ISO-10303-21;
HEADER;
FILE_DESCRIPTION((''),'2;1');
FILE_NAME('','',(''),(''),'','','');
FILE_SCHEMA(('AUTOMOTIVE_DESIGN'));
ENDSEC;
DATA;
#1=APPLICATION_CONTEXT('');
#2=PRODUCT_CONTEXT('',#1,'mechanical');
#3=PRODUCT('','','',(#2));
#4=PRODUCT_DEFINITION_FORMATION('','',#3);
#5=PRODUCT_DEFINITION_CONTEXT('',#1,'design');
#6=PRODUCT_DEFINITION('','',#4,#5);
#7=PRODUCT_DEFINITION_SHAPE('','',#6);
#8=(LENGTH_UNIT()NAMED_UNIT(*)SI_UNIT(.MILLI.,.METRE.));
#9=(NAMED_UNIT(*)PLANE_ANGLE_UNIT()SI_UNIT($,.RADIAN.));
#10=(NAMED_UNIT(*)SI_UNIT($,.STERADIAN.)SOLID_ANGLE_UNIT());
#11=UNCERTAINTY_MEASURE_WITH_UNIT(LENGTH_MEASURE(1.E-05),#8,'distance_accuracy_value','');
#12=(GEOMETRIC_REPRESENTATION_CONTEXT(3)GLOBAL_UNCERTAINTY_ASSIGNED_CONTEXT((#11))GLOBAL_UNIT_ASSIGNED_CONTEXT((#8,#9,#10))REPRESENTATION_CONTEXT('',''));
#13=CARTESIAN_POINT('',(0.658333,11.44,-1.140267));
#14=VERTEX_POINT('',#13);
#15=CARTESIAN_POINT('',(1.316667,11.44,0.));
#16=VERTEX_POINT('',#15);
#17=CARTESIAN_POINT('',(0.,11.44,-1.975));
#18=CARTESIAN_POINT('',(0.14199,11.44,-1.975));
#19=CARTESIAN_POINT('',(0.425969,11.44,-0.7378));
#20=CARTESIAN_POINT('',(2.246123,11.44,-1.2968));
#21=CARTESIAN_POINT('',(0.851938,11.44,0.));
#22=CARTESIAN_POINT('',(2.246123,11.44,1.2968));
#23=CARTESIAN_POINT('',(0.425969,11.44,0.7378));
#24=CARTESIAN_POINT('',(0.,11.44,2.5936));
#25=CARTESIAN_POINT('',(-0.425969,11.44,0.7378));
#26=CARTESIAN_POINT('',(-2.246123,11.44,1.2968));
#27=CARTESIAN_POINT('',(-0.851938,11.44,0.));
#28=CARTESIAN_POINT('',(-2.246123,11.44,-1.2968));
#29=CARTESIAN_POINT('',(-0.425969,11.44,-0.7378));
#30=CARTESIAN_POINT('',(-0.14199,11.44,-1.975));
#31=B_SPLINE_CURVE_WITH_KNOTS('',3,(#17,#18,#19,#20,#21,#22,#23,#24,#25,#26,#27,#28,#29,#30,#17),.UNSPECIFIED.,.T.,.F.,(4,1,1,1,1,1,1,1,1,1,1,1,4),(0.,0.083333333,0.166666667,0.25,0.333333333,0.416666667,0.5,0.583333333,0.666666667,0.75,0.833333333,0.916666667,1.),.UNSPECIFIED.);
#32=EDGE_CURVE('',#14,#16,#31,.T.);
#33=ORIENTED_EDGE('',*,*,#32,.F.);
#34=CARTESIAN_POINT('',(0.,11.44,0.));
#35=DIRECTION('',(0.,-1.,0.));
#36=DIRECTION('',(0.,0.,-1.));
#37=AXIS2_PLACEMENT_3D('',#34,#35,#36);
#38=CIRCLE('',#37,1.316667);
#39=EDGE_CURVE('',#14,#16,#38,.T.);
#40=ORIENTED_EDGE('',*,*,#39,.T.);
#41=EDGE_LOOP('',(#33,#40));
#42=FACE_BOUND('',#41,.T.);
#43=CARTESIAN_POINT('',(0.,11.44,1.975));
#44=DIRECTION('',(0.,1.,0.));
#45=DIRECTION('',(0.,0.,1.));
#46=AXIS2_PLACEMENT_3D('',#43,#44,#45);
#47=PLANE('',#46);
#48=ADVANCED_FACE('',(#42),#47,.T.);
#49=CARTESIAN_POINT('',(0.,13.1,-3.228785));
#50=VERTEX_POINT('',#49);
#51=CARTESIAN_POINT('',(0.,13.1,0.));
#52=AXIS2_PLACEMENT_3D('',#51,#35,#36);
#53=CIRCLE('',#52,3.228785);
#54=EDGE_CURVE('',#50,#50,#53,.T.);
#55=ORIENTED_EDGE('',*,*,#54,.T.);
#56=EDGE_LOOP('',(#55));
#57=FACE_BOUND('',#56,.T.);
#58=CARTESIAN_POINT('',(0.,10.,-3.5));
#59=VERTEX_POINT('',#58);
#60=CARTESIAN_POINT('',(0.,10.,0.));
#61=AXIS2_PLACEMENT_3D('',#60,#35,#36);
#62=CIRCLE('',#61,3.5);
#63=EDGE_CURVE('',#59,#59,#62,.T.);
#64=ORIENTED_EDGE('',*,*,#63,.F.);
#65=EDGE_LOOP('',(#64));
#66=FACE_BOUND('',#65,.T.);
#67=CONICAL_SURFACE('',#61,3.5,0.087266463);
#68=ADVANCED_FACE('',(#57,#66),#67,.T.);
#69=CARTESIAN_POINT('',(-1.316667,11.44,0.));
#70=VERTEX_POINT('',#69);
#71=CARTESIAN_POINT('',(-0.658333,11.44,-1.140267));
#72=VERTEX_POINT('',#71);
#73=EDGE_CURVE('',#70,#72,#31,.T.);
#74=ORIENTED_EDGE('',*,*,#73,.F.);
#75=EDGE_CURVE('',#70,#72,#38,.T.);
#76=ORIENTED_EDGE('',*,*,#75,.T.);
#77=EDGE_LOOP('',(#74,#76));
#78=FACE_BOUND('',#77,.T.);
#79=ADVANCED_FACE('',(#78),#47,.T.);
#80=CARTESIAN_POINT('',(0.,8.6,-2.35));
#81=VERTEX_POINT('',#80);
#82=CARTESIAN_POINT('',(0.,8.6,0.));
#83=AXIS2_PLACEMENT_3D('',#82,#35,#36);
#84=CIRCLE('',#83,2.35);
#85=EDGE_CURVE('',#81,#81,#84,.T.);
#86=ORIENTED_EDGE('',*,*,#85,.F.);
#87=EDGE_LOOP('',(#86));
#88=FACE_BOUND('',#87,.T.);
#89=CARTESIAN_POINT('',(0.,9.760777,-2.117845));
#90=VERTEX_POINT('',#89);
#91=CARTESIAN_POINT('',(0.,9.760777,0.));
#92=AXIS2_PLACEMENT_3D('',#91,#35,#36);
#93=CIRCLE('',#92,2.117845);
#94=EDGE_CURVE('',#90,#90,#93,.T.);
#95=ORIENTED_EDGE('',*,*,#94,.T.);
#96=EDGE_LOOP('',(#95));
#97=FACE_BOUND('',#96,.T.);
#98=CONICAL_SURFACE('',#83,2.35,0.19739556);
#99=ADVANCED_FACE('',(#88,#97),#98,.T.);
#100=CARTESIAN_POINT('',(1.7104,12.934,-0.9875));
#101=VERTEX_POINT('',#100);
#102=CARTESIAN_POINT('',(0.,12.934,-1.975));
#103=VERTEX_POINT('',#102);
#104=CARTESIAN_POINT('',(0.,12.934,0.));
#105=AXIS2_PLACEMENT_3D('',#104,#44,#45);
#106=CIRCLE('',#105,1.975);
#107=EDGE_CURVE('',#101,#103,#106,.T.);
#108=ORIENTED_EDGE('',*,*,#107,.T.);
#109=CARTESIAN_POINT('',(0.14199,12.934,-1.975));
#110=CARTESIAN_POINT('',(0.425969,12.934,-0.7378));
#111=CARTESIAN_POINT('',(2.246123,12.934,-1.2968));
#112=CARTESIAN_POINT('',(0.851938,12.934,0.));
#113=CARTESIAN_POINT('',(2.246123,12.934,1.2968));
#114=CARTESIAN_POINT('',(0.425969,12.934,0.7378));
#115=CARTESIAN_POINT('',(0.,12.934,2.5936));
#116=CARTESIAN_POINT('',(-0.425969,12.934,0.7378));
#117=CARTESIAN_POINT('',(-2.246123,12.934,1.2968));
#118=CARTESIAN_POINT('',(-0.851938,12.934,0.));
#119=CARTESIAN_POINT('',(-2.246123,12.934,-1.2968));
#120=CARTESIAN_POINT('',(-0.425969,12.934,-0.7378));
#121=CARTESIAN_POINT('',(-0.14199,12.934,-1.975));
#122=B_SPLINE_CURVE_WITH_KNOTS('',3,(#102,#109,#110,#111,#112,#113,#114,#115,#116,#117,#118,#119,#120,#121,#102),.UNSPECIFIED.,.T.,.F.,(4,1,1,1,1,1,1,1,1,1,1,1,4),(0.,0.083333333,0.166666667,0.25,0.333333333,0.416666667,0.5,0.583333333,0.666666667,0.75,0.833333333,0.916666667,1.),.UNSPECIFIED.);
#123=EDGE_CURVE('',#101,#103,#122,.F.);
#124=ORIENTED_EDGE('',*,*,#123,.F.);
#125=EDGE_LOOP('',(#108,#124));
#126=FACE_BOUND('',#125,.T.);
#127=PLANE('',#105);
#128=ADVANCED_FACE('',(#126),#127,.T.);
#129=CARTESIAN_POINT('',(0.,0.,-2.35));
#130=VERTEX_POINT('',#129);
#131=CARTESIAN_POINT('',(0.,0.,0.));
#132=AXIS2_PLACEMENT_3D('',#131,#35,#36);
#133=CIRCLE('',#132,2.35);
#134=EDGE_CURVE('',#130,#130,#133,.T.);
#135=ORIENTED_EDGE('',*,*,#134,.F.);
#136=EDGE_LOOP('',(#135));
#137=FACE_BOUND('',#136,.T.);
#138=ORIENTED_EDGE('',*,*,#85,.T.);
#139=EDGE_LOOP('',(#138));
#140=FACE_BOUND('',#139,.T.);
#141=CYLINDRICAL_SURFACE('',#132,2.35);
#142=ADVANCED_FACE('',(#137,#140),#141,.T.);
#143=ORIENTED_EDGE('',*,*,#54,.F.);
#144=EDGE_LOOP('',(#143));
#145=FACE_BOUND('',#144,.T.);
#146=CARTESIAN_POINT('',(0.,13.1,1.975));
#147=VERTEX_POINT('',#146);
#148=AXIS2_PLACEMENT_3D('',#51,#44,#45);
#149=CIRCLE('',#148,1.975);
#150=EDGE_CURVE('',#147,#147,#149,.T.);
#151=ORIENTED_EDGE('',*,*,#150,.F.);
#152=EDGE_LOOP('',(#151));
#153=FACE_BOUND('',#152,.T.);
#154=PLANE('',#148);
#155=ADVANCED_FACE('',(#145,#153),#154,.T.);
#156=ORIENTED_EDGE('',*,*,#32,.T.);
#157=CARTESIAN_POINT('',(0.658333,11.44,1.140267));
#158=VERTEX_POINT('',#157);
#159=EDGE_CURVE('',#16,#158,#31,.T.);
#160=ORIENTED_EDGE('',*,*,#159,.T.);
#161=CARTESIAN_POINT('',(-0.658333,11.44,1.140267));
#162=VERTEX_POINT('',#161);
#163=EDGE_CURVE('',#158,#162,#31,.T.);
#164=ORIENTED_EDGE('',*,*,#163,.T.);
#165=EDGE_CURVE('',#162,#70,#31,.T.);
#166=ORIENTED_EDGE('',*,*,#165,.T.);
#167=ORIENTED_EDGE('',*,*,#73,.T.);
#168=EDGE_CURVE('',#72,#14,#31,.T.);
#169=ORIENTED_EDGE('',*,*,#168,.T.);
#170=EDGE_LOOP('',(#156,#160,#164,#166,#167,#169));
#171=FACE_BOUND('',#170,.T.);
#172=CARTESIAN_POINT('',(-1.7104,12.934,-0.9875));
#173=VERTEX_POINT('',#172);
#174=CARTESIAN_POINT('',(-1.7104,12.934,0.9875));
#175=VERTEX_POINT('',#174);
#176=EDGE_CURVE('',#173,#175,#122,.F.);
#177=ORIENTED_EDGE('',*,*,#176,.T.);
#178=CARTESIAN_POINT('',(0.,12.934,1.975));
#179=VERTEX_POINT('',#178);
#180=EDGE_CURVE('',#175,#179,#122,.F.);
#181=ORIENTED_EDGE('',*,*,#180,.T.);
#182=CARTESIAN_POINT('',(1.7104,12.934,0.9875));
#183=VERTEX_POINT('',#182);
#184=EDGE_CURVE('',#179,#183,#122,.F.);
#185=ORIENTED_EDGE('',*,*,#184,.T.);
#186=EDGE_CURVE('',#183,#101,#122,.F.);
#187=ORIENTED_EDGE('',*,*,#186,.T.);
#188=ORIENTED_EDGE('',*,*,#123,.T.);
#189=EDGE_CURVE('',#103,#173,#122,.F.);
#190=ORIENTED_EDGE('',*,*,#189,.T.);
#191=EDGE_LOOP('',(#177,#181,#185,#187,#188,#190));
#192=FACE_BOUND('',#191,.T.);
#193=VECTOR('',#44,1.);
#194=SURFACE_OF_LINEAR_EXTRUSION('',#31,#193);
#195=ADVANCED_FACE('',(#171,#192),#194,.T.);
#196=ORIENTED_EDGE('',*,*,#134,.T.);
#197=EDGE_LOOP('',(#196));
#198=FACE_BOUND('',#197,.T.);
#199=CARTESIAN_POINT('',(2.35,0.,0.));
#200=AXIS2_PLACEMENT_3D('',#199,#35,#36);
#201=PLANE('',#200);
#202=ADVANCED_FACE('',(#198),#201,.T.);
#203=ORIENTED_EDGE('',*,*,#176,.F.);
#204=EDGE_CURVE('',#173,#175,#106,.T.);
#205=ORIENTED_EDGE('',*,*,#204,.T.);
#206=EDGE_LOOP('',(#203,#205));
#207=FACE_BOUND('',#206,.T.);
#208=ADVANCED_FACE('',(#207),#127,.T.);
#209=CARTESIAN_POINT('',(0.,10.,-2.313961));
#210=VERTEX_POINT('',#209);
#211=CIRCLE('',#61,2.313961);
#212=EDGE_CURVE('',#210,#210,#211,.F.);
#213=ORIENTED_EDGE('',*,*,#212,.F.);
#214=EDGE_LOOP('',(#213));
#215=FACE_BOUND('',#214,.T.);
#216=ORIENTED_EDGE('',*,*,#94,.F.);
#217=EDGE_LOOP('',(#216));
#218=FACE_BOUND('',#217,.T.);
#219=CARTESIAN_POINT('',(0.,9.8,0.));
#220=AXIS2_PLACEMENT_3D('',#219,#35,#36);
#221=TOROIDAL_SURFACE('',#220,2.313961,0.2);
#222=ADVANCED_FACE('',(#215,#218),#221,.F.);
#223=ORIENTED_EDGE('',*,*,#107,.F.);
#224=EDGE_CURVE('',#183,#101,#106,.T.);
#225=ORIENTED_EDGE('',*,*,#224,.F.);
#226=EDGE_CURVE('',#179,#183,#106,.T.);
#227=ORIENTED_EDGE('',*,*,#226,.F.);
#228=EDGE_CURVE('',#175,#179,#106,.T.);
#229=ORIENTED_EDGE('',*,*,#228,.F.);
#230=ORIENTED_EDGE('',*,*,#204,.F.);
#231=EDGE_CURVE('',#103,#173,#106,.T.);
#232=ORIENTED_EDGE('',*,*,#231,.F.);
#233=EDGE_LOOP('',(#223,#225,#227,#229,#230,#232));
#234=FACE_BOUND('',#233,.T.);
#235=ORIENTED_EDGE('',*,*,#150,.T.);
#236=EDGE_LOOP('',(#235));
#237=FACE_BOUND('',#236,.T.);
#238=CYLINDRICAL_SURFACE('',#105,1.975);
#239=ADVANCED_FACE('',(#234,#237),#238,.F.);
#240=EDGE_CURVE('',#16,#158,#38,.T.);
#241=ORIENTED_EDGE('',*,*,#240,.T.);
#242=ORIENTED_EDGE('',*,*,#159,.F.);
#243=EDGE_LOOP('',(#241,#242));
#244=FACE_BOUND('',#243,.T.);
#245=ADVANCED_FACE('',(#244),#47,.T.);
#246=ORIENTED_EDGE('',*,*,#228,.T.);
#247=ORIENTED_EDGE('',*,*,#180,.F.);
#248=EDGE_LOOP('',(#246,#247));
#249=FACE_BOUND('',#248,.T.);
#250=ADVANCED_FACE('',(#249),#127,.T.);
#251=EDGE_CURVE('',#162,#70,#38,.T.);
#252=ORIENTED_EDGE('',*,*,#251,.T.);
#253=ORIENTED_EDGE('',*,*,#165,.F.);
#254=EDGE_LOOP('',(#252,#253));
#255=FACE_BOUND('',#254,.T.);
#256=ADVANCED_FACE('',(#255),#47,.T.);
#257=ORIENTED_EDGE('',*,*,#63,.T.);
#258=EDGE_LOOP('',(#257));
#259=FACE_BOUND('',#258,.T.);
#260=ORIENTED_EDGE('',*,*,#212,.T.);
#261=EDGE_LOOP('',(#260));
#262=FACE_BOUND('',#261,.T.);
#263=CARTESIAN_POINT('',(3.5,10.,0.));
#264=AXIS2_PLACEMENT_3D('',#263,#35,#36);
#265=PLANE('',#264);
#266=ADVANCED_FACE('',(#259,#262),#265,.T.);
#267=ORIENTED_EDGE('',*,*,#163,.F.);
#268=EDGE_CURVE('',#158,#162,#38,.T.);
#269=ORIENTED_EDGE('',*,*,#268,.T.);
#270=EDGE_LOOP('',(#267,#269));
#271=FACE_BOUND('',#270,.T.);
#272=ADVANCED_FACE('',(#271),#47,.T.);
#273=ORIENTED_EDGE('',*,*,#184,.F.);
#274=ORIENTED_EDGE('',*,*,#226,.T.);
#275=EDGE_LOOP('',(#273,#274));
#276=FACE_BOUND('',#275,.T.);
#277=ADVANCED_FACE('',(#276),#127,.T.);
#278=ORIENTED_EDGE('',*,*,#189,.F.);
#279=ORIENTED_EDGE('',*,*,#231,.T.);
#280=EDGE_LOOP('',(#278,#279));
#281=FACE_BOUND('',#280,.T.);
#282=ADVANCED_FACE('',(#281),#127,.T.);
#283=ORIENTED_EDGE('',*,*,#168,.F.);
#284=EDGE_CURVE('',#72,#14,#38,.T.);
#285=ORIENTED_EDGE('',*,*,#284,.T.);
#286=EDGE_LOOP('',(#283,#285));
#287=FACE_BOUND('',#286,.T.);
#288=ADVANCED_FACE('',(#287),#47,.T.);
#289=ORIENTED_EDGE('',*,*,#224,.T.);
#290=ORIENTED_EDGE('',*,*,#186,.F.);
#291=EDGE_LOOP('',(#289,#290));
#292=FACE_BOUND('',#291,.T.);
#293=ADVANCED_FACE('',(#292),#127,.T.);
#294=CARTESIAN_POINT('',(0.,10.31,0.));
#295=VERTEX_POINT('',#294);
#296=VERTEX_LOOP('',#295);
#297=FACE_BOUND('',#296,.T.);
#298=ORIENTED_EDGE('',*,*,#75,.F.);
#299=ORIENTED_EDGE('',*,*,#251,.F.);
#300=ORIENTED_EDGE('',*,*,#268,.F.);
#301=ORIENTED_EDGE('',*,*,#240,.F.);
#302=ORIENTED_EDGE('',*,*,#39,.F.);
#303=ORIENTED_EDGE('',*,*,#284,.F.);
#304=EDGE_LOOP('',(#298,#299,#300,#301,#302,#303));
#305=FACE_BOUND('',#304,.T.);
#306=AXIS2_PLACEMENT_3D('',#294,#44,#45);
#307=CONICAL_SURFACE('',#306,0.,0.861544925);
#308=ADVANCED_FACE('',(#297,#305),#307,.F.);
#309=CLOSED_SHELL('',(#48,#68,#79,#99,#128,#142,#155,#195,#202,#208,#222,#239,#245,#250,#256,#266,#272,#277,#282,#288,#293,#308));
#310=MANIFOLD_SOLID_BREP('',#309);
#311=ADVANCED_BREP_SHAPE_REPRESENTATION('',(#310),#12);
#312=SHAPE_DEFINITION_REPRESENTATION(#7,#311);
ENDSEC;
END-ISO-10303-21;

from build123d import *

# Parameters (mm, degrees)
FILLET1_R                 = 0.2
SOCKET_CUT_EXTRUDE1_DEPTH = 1.66
SKETCH3_R                 = 1.975
SOCKET_CUT_EXTRUDE2_DEPTH = 0.166


with BuildPart() as part:
    # Sketch1 → Body-Revolve (revolve)
    with BuildSketch(Plane.XY, mode=Mode.PRIVATE) as body_revolve_sk:
        Polygon((0, 13.1), (3.228785143, 13.1), (3.5, 10), (2.35, 10), (2.07, 10), (2.35, 8.6), (2.35, 0), (0, 0), align=None)
    revolve(body_revolve_sk.sketch.rotate(Axis((0, 0, 0), (0, 1, 0)), 90), axis=Axis((0, 0, 0), (0, 1, 0)))

    # Fillet1
    fillet1_edges = [part.edges().sort_by_distance(p)[0] for p in [
        (0, 10, 2.07),
    ]]
    fillet(fillet1_edges, radius=FILLET1_R)

    # Sketch2 → Socket-Cut-Extrude1 (cut)
    with BuildSketch(Plane(origin=(0, 13.1, 0), x_dir=(-1, 0, 0), z_dir=(0, 1, 0))):
        with BuildLine():
            add(Edge.make_bspline(
                [(0, -1.975), (-0.141989717, -1.975), (-0.425969151, -0.737800212), (-2.246123395, -1.296799947), (-0.851938302, 0), (-2.246123395, 1.296799947), (-0.425969151, 0.737800212), (0, 2.593599894), (0.425969151, 0.737800212), (2.246123395, 1.296799947), (0.851938302, 0), (2.246123395, -1.296799947), (0.425969151, -0.737800212), (0.141989717, -1.975), (0, -1.975)],
                knots=[0, 0, 0, 0, 0.083333333, 0.166666667, 0.25, 0.333333333, 0.416666667, 0.5, 0.583333333, 0.666666667, 0.75, 0.833333333, 0.916666667, 1, 1, 1, 1], degree=3))
        make_face()
    extrude(amount=-SOCKET_CUT_EXTRUDE1_DEPTH, mode=Mode.SUBTRACT)

    # Sketch3 → Socket-Cut-Extrude2 (cut)
    with BuildSketch(Plane(origin=(0, 13.1, 0), x_dir=(-1, 0, 0), z_dir=(0, 1, 0))):
        with Locations(Location((0, 0, 0), (0, 0, 90))):
            Circle(SKETCH3_R)
    extrude(amount=-SOCKET_CUT_EXTRUDE2_DEPTH, mode=Mode.SUBTRACT)

    # Sketch4 → Drill-Cut-Revolve (revolve, cut)
    with BuildSketch(Plane.XY, mode=Mode.PRIVATE) as drill_cut_revolve_sk:
        Polygon((0, 11.44), (1.316666667, 11.44), (0, 10.31), align=None)
    revolve(drill_cut_revolve_sk.sketch.rotate(Axis((0, 0, 0), (0, 1, 0)), 270), axis=Axis((0, 0, 0), (0, 1, 0)), mode=Mode.SUBTRACT)


solid = part.part
